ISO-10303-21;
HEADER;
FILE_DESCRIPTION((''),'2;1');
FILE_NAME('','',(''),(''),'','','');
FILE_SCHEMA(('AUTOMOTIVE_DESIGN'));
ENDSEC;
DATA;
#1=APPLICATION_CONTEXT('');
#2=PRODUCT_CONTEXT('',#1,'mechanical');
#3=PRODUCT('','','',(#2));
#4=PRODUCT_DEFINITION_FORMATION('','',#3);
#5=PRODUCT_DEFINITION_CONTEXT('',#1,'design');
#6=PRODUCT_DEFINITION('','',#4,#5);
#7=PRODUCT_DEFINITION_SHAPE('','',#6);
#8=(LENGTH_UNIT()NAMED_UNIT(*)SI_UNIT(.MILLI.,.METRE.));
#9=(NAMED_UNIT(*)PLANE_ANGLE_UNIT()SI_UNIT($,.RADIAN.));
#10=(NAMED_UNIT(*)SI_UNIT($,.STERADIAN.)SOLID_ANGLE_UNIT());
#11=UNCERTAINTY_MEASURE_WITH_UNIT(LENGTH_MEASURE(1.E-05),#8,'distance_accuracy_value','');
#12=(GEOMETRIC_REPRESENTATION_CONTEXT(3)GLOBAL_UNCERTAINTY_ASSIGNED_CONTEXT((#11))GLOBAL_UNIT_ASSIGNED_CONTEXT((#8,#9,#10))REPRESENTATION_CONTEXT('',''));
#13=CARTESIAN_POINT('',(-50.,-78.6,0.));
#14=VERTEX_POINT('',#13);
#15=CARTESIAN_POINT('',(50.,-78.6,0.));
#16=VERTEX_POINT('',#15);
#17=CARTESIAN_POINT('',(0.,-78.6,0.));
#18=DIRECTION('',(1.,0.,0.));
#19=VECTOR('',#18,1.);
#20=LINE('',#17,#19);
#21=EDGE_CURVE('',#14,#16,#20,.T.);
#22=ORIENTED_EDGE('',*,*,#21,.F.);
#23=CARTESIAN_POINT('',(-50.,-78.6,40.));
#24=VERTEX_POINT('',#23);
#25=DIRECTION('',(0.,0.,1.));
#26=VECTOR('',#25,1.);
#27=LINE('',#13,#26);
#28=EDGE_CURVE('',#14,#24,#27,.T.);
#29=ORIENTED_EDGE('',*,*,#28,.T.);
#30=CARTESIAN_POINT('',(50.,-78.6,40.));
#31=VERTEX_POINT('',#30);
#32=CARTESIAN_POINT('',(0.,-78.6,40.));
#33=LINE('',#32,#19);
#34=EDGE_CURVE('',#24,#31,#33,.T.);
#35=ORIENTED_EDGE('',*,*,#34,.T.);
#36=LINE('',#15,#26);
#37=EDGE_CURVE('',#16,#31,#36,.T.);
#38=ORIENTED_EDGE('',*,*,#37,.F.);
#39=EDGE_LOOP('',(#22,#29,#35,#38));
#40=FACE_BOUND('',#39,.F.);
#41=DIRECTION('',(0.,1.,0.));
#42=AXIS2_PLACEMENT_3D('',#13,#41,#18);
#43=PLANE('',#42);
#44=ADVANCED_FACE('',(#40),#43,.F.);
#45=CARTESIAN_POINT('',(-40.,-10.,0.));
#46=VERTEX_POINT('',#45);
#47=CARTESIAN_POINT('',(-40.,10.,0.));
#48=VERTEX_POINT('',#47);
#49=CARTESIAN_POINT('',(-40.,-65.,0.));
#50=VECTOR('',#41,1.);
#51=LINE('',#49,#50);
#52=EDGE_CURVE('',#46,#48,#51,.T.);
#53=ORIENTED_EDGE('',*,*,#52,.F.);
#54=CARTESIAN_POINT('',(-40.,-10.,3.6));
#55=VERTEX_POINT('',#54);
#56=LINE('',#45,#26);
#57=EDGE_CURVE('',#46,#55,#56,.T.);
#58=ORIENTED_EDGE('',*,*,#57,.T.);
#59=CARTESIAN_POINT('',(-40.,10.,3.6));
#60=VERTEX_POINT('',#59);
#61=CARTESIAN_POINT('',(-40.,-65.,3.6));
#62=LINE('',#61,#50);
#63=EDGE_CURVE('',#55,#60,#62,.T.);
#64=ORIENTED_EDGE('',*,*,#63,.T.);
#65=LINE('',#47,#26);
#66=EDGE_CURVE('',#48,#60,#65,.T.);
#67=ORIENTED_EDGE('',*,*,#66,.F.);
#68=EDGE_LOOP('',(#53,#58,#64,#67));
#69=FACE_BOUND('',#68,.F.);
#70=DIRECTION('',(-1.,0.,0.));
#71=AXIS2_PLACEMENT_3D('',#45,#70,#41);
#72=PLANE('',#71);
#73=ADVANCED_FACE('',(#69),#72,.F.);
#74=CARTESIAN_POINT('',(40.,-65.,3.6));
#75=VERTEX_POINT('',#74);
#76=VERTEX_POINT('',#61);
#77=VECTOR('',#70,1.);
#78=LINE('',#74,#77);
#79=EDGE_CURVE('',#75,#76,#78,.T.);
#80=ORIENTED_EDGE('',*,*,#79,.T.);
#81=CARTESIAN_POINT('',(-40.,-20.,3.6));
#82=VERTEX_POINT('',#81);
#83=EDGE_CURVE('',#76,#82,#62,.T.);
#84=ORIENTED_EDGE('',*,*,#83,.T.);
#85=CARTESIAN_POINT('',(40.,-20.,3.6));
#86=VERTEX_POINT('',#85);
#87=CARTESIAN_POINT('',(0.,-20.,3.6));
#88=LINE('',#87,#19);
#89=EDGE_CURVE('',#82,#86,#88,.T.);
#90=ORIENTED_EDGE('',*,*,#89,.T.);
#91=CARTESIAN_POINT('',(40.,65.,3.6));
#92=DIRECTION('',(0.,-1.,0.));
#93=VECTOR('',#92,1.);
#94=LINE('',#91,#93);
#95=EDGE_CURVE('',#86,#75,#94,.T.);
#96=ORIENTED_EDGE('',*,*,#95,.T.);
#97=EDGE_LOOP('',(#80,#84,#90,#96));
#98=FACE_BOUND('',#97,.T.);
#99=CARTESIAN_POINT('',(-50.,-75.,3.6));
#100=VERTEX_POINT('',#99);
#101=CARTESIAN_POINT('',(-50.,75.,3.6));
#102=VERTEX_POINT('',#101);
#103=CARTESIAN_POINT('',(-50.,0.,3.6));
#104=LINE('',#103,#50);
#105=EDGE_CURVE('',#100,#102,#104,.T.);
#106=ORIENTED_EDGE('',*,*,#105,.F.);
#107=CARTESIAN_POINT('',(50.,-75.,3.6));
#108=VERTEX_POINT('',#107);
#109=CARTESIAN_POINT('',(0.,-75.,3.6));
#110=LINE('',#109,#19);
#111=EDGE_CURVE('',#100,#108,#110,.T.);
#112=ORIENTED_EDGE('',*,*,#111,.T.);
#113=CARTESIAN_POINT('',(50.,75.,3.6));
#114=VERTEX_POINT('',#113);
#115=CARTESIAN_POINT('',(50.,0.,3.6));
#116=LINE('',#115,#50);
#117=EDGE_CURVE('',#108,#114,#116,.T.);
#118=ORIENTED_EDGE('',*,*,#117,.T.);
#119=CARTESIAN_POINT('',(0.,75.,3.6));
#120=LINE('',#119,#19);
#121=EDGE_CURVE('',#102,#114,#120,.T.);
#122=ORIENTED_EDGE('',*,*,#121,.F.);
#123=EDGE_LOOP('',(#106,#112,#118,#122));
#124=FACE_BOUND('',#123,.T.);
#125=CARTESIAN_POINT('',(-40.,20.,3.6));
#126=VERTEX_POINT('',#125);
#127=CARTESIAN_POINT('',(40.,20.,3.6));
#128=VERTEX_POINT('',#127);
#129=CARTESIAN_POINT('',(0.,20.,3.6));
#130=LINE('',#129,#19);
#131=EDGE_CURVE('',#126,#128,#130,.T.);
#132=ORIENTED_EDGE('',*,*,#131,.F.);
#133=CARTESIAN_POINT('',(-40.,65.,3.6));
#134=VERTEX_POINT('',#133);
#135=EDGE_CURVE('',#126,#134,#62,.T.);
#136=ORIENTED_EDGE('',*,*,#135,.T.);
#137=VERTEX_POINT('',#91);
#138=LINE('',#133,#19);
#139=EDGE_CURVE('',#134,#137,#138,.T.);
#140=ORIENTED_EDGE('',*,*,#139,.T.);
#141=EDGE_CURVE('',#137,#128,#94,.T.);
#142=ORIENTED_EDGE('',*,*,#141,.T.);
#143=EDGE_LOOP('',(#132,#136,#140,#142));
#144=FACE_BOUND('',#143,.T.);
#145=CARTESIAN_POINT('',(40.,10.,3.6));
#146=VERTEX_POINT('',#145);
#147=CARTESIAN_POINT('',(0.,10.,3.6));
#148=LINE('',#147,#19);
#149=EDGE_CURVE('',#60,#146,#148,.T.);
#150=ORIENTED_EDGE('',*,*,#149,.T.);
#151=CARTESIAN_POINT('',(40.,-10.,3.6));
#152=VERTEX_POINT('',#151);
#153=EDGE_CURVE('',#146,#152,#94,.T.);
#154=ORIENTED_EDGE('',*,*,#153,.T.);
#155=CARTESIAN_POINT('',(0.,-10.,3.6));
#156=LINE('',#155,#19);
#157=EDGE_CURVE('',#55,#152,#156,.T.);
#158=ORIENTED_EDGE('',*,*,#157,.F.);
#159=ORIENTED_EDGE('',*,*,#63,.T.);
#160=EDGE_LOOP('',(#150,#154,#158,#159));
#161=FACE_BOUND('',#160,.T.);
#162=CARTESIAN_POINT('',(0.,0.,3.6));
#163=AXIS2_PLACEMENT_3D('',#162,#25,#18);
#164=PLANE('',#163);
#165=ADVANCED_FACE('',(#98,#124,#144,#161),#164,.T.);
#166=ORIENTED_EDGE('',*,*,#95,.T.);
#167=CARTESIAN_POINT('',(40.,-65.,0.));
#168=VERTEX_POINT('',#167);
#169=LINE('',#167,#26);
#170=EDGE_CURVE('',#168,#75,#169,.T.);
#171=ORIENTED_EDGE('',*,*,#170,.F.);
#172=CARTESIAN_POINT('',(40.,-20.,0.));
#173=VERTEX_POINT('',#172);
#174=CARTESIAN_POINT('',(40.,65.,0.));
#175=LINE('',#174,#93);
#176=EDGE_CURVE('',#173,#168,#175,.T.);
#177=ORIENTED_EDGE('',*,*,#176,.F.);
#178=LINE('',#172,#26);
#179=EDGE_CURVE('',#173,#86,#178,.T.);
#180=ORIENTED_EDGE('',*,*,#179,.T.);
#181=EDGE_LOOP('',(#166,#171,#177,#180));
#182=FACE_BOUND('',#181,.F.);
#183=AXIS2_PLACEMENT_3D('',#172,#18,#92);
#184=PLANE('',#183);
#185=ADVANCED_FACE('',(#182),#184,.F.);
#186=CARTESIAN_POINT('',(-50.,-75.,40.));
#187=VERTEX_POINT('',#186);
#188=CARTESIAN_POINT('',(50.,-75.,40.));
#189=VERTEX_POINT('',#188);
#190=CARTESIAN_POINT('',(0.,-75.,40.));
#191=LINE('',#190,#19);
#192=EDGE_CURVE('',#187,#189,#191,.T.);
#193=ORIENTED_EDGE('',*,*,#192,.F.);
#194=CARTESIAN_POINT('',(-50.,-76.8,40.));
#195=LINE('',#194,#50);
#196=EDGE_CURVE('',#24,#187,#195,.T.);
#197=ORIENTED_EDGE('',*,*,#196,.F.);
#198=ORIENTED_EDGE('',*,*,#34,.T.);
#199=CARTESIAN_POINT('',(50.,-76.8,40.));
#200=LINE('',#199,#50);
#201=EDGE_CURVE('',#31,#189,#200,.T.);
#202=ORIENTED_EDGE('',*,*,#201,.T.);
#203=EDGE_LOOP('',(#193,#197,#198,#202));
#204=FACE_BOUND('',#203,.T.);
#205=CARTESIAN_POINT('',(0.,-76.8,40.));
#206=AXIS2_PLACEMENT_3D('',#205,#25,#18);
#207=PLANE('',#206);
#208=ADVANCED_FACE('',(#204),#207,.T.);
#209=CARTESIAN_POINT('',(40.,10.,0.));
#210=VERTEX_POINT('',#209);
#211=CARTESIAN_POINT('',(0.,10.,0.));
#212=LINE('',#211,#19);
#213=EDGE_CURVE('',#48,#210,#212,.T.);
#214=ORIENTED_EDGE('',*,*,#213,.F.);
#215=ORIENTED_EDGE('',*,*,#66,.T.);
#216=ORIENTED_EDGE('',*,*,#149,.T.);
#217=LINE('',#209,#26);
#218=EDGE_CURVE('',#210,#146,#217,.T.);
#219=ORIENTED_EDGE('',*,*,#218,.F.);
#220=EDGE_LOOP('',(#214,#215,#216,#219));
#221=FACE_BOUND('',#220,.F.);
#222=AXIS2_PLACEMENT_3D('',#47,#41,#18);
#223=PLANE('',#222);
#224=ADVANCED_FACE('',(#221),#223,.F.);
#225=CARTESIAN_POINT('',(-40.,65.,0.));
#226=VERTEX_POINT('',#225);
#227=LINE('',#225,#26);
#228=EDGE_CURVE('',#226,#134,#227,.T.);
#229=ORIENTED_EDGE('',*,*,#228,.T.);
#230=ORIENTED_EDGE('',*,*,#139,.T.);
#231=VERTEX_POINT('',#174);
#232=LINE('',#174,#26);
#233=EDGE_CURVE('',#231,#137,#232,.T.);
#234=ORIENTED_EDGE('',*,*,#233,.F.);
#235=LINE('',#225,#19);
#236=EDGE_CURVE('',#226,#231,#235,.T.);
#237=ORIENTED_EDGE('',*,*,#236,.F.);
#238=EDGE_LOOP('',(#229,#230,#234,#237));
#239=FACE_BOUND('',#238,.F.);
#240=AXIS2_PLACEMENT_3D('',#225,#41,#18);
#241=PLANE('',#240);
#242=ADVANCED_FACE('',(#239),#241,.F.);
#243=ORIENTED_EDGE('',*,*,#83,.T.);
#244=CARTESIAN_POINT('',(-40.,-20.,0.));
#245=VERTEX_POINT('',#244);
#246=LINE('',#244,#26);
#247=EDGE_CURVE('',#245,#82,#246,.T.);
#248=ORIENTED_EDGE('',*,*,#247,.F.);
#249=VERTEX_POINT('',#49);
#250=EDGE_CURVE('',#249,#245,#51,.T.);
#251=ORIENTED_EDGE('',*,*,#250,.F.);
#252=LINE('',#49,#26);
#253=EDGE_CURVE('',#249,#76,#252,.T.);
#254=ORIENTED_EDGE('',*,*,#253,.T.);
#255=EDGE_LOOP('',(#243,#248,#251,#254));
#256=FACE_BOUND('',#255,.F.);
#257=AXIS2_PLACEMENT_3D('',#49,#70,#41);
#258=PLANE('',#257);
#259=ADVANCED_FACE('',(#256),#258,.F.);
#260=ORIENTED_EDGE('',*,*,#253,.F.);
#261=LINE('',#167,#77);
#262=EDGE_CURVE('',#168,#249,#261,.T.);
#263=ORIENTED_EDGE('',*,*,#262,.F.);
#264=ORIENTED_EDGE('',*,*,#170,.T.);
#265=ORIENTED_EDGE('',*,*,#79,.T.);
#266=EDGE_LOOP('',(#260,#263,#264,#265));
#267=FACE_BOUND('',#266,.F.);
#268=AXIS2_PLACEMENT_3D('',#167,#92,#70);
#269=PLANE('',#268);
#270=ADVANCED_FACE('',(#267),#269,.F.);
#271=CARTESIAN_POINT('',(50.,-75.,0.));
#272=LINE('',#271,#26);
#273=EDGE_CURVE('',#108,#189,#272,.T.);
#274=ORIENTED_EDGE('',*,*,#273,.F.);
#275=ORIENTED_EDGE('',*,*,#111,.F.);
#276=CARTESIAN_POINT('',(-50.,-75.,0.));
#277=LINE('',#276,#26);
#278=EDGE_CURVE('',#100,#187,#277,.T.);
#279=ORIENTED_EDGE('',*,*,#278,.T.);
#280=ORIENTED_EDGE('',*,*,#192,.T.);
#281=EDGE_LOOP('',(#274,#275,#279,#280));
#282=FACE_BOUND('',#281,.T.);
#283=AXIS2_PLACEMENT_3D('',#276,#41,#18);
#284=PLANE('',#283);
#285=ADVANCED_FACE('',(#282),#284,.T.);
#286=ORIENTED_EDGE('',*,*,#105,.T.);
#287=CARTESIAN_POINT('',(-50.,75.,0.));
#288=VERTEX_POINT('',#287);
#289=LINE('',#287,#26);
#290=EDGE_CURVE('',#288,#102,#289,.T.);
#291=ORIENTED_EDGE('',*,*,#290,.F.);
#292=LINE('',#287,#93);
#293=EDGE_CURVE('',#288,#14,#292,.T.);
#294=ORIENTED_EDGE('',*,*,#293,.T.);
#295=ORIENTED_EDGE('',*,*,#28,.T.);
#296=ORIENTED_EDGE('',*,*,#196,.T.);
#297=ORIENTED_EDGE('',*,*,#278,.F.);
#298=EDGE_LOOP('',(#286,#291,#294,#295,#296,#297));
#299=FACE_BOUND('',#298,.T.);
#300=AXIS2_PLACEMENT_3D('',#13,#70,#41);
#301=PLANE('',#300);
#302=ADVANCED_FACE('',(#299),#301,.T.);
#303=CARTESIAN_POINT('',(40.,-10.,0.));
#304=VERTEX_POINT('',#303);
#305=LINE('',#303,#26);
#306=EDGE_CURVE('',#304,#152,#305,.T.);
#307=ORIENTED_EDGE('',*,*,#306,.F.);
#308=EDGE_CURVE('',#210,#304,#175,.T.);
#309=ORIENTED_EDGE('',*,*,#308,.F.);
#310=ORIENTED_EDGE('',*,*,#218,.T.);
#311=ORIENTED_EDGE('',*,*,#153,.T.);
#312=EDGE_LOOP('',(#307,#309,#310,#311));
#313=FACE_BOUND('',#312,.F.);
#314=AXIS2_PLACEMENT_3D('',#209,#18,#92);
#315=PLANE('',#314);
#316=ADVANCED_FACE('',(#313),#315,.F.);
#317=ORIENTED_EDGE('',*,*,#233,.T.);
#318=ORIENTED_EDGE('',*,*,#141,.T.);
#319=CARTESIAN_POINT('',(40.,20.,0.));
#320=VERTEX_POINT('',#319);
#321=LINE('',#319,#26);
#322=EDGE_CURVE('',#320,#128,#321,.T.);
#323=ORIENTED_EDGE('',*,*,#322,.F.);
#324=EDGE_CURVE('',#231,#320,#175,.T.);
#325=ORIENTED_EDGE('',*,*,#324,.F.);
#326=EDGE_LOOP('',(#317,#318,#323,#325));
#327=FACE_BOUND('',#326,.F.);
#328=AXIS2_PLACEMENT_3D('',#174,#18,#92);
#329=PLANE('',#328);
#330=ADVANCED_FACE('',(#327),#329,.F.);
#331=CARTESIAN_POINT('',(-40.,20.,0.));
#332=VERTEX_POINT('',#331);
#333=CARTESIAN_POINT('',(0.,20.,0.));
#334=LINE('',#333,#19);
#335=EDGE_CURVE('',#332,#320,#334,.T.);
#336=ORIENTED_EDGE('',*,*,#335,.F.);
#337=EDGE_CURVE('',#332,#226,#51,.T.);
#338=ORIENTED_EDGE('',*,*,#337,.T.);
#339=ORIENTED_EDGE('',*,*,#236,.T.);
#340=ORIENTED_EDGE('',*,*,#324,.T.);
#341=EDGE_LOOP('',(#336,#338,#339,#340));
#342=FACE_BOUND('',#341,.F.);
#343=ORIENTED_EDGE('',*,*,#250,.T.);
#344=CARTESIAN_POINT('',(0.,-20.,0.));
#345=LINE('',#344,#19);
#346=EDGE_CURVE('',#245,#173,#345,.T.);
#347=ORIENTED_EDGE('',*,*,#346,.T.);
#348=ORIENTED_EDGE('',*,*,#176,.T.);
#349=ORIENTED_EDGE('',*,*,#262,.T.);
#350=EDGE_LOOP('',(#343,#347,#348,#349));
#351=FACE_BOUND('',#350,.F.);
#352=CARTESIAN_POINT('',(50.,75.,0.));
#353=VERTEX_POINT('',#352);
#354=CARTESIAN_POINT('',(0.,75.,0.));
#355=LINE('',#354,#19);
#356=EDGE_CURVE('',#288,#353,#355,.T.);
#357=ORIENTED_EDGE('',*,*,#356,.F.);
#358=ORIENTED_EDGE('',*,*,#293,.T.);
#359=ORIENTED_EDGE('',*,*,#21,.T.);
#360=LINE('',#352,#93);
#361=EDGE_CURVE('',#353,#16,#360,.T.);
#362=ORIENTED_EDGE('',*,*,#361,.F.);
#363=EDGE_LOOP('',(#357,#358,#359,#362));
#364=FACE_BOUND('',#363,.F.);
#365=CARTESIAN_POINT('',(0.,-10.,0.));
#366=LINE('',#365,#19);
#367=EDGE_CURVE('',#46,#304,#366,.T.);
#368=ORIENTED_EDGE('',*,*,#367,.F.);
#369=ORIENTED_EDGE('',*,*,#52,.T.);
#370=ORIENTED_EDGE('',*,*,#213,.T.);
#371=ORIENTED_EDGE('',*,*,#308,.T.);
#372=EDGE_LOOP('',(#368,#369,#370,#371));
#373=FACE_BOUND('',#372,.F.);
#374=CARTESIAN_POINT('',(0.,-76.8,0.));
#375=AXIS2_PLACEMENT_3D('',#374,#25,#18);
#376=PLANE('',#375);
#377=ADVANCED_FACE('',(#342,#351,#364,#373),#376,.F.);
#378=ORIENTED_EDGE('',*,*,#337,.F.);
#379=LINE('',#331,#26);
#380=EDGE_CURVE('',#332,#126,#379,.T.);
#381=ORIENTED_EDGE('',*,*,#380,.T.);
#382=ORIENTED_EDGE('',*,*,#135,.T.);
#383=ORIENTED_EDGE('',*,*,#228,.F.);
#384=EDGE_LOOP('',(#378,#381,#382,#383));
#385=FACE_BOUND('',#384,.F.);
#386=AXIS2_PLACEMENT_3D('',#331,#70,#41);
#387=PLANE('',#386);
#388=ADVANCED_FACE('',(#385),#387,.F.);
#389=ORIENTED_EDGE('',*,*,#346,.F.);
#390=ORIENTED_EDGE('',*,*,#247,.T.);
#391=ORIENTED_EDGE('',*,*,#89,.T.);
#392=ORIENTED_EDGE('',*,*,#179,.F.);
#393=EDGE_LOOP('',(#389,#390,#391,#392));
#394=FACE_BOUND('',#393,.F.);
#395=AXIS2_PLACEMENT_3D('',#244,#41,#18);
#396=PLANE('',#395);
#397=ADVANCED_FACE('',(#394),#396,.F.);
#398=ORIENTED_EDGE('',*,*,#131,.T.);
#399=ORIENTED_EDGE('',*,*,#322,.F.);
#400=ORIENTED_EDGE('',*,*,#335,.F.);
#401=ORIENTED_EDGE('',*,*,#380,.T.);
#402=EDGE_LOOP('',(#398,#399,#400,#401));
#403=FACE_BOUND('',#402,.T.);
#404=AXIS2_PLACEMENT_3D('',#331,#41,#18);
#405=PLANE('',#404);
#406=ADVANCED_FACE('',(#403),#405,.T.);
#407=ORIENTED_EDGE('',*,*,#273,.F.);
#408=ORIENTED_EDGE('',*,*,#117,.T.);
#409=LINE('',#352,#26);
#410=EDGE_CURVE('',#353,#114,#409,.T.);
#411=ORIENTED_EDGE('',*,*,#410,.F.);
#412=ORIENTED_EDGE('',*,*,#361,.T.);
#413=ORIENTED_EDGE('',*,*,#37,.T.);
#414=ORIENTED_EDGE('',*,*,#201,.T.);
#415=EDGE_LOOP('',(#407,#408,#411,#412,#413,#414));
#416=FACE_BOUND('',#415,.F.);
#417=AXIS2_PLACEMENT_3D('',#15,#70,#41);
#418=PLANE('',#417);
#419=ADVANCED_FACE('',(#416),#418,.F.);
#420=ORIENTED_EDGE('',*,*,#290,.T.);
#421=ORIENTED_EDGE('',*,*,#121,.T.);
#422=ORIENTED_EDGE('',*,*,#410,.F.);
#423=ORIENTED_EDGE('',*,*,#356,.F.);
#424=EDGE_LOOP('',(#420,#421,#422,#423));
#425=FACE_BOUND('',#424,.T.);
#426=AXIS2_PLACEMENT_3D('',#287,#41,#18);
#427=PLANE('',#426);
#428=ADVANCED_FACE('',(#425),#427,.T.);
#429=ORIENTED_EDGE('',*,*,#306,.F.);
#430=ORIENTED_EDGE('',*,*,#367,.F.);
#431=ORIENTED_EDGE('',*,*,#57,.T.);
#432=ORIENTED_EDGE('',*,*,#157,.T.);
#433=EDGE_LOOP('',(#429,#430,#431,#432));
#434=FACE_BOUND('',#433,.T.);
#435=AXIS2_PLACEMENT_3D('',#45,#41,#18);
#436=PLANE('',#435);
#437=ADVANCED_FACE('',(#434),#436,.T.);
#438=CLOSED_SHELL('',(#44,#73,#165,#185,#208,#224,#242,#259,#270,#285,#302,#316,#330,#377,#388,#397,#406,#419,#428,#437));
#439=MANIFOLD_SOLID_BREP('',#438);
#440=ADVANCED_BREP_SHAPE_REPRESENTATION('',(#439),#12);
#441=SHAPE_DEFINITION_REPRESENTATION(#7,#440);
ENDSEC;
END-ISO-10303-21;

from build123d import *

# Parameters (mm, degrees)
F0_W     = 100
F0_H     = 150
F0_W_2   = 80
F0_H_2   = 10
F1_DEPTH = 3.6
F2_W     = 100
F2_H     = 3.6
F3_DEPTH = 40


with BuildPart() as f1:
    # F0 (on Top) → F1 (new body)
    with BuildSketch(Plane.XY):
        Rectangle(F0_W, F0_H)
        Polygon((-40, 20), (-40, 65), (40, 65), (40, 20), (40, 10), (40, -10), (40, -20), (40, -65), (-40, -65), (-40, -20), (-40, -10), (-40, 10), align=None, mode=Mode.SUBTRACT)
        with Locations((0, -15)):
            Rectangle(F0_W_2, F0_H_2)
        with Locations((0, 15)):
            Rectangle(F0_W_2, F0_H_2)
    extrude(amount=F1_DEPTH)

    # F2 (on Top) → F3 (join)
    with BuildSketch(Plane.XY):
        with Locations((0, -76.8)):
            Rectangle(F2_W, F2_H)
    extrude(amount=F3_DEPTH)


solid = f1.part
